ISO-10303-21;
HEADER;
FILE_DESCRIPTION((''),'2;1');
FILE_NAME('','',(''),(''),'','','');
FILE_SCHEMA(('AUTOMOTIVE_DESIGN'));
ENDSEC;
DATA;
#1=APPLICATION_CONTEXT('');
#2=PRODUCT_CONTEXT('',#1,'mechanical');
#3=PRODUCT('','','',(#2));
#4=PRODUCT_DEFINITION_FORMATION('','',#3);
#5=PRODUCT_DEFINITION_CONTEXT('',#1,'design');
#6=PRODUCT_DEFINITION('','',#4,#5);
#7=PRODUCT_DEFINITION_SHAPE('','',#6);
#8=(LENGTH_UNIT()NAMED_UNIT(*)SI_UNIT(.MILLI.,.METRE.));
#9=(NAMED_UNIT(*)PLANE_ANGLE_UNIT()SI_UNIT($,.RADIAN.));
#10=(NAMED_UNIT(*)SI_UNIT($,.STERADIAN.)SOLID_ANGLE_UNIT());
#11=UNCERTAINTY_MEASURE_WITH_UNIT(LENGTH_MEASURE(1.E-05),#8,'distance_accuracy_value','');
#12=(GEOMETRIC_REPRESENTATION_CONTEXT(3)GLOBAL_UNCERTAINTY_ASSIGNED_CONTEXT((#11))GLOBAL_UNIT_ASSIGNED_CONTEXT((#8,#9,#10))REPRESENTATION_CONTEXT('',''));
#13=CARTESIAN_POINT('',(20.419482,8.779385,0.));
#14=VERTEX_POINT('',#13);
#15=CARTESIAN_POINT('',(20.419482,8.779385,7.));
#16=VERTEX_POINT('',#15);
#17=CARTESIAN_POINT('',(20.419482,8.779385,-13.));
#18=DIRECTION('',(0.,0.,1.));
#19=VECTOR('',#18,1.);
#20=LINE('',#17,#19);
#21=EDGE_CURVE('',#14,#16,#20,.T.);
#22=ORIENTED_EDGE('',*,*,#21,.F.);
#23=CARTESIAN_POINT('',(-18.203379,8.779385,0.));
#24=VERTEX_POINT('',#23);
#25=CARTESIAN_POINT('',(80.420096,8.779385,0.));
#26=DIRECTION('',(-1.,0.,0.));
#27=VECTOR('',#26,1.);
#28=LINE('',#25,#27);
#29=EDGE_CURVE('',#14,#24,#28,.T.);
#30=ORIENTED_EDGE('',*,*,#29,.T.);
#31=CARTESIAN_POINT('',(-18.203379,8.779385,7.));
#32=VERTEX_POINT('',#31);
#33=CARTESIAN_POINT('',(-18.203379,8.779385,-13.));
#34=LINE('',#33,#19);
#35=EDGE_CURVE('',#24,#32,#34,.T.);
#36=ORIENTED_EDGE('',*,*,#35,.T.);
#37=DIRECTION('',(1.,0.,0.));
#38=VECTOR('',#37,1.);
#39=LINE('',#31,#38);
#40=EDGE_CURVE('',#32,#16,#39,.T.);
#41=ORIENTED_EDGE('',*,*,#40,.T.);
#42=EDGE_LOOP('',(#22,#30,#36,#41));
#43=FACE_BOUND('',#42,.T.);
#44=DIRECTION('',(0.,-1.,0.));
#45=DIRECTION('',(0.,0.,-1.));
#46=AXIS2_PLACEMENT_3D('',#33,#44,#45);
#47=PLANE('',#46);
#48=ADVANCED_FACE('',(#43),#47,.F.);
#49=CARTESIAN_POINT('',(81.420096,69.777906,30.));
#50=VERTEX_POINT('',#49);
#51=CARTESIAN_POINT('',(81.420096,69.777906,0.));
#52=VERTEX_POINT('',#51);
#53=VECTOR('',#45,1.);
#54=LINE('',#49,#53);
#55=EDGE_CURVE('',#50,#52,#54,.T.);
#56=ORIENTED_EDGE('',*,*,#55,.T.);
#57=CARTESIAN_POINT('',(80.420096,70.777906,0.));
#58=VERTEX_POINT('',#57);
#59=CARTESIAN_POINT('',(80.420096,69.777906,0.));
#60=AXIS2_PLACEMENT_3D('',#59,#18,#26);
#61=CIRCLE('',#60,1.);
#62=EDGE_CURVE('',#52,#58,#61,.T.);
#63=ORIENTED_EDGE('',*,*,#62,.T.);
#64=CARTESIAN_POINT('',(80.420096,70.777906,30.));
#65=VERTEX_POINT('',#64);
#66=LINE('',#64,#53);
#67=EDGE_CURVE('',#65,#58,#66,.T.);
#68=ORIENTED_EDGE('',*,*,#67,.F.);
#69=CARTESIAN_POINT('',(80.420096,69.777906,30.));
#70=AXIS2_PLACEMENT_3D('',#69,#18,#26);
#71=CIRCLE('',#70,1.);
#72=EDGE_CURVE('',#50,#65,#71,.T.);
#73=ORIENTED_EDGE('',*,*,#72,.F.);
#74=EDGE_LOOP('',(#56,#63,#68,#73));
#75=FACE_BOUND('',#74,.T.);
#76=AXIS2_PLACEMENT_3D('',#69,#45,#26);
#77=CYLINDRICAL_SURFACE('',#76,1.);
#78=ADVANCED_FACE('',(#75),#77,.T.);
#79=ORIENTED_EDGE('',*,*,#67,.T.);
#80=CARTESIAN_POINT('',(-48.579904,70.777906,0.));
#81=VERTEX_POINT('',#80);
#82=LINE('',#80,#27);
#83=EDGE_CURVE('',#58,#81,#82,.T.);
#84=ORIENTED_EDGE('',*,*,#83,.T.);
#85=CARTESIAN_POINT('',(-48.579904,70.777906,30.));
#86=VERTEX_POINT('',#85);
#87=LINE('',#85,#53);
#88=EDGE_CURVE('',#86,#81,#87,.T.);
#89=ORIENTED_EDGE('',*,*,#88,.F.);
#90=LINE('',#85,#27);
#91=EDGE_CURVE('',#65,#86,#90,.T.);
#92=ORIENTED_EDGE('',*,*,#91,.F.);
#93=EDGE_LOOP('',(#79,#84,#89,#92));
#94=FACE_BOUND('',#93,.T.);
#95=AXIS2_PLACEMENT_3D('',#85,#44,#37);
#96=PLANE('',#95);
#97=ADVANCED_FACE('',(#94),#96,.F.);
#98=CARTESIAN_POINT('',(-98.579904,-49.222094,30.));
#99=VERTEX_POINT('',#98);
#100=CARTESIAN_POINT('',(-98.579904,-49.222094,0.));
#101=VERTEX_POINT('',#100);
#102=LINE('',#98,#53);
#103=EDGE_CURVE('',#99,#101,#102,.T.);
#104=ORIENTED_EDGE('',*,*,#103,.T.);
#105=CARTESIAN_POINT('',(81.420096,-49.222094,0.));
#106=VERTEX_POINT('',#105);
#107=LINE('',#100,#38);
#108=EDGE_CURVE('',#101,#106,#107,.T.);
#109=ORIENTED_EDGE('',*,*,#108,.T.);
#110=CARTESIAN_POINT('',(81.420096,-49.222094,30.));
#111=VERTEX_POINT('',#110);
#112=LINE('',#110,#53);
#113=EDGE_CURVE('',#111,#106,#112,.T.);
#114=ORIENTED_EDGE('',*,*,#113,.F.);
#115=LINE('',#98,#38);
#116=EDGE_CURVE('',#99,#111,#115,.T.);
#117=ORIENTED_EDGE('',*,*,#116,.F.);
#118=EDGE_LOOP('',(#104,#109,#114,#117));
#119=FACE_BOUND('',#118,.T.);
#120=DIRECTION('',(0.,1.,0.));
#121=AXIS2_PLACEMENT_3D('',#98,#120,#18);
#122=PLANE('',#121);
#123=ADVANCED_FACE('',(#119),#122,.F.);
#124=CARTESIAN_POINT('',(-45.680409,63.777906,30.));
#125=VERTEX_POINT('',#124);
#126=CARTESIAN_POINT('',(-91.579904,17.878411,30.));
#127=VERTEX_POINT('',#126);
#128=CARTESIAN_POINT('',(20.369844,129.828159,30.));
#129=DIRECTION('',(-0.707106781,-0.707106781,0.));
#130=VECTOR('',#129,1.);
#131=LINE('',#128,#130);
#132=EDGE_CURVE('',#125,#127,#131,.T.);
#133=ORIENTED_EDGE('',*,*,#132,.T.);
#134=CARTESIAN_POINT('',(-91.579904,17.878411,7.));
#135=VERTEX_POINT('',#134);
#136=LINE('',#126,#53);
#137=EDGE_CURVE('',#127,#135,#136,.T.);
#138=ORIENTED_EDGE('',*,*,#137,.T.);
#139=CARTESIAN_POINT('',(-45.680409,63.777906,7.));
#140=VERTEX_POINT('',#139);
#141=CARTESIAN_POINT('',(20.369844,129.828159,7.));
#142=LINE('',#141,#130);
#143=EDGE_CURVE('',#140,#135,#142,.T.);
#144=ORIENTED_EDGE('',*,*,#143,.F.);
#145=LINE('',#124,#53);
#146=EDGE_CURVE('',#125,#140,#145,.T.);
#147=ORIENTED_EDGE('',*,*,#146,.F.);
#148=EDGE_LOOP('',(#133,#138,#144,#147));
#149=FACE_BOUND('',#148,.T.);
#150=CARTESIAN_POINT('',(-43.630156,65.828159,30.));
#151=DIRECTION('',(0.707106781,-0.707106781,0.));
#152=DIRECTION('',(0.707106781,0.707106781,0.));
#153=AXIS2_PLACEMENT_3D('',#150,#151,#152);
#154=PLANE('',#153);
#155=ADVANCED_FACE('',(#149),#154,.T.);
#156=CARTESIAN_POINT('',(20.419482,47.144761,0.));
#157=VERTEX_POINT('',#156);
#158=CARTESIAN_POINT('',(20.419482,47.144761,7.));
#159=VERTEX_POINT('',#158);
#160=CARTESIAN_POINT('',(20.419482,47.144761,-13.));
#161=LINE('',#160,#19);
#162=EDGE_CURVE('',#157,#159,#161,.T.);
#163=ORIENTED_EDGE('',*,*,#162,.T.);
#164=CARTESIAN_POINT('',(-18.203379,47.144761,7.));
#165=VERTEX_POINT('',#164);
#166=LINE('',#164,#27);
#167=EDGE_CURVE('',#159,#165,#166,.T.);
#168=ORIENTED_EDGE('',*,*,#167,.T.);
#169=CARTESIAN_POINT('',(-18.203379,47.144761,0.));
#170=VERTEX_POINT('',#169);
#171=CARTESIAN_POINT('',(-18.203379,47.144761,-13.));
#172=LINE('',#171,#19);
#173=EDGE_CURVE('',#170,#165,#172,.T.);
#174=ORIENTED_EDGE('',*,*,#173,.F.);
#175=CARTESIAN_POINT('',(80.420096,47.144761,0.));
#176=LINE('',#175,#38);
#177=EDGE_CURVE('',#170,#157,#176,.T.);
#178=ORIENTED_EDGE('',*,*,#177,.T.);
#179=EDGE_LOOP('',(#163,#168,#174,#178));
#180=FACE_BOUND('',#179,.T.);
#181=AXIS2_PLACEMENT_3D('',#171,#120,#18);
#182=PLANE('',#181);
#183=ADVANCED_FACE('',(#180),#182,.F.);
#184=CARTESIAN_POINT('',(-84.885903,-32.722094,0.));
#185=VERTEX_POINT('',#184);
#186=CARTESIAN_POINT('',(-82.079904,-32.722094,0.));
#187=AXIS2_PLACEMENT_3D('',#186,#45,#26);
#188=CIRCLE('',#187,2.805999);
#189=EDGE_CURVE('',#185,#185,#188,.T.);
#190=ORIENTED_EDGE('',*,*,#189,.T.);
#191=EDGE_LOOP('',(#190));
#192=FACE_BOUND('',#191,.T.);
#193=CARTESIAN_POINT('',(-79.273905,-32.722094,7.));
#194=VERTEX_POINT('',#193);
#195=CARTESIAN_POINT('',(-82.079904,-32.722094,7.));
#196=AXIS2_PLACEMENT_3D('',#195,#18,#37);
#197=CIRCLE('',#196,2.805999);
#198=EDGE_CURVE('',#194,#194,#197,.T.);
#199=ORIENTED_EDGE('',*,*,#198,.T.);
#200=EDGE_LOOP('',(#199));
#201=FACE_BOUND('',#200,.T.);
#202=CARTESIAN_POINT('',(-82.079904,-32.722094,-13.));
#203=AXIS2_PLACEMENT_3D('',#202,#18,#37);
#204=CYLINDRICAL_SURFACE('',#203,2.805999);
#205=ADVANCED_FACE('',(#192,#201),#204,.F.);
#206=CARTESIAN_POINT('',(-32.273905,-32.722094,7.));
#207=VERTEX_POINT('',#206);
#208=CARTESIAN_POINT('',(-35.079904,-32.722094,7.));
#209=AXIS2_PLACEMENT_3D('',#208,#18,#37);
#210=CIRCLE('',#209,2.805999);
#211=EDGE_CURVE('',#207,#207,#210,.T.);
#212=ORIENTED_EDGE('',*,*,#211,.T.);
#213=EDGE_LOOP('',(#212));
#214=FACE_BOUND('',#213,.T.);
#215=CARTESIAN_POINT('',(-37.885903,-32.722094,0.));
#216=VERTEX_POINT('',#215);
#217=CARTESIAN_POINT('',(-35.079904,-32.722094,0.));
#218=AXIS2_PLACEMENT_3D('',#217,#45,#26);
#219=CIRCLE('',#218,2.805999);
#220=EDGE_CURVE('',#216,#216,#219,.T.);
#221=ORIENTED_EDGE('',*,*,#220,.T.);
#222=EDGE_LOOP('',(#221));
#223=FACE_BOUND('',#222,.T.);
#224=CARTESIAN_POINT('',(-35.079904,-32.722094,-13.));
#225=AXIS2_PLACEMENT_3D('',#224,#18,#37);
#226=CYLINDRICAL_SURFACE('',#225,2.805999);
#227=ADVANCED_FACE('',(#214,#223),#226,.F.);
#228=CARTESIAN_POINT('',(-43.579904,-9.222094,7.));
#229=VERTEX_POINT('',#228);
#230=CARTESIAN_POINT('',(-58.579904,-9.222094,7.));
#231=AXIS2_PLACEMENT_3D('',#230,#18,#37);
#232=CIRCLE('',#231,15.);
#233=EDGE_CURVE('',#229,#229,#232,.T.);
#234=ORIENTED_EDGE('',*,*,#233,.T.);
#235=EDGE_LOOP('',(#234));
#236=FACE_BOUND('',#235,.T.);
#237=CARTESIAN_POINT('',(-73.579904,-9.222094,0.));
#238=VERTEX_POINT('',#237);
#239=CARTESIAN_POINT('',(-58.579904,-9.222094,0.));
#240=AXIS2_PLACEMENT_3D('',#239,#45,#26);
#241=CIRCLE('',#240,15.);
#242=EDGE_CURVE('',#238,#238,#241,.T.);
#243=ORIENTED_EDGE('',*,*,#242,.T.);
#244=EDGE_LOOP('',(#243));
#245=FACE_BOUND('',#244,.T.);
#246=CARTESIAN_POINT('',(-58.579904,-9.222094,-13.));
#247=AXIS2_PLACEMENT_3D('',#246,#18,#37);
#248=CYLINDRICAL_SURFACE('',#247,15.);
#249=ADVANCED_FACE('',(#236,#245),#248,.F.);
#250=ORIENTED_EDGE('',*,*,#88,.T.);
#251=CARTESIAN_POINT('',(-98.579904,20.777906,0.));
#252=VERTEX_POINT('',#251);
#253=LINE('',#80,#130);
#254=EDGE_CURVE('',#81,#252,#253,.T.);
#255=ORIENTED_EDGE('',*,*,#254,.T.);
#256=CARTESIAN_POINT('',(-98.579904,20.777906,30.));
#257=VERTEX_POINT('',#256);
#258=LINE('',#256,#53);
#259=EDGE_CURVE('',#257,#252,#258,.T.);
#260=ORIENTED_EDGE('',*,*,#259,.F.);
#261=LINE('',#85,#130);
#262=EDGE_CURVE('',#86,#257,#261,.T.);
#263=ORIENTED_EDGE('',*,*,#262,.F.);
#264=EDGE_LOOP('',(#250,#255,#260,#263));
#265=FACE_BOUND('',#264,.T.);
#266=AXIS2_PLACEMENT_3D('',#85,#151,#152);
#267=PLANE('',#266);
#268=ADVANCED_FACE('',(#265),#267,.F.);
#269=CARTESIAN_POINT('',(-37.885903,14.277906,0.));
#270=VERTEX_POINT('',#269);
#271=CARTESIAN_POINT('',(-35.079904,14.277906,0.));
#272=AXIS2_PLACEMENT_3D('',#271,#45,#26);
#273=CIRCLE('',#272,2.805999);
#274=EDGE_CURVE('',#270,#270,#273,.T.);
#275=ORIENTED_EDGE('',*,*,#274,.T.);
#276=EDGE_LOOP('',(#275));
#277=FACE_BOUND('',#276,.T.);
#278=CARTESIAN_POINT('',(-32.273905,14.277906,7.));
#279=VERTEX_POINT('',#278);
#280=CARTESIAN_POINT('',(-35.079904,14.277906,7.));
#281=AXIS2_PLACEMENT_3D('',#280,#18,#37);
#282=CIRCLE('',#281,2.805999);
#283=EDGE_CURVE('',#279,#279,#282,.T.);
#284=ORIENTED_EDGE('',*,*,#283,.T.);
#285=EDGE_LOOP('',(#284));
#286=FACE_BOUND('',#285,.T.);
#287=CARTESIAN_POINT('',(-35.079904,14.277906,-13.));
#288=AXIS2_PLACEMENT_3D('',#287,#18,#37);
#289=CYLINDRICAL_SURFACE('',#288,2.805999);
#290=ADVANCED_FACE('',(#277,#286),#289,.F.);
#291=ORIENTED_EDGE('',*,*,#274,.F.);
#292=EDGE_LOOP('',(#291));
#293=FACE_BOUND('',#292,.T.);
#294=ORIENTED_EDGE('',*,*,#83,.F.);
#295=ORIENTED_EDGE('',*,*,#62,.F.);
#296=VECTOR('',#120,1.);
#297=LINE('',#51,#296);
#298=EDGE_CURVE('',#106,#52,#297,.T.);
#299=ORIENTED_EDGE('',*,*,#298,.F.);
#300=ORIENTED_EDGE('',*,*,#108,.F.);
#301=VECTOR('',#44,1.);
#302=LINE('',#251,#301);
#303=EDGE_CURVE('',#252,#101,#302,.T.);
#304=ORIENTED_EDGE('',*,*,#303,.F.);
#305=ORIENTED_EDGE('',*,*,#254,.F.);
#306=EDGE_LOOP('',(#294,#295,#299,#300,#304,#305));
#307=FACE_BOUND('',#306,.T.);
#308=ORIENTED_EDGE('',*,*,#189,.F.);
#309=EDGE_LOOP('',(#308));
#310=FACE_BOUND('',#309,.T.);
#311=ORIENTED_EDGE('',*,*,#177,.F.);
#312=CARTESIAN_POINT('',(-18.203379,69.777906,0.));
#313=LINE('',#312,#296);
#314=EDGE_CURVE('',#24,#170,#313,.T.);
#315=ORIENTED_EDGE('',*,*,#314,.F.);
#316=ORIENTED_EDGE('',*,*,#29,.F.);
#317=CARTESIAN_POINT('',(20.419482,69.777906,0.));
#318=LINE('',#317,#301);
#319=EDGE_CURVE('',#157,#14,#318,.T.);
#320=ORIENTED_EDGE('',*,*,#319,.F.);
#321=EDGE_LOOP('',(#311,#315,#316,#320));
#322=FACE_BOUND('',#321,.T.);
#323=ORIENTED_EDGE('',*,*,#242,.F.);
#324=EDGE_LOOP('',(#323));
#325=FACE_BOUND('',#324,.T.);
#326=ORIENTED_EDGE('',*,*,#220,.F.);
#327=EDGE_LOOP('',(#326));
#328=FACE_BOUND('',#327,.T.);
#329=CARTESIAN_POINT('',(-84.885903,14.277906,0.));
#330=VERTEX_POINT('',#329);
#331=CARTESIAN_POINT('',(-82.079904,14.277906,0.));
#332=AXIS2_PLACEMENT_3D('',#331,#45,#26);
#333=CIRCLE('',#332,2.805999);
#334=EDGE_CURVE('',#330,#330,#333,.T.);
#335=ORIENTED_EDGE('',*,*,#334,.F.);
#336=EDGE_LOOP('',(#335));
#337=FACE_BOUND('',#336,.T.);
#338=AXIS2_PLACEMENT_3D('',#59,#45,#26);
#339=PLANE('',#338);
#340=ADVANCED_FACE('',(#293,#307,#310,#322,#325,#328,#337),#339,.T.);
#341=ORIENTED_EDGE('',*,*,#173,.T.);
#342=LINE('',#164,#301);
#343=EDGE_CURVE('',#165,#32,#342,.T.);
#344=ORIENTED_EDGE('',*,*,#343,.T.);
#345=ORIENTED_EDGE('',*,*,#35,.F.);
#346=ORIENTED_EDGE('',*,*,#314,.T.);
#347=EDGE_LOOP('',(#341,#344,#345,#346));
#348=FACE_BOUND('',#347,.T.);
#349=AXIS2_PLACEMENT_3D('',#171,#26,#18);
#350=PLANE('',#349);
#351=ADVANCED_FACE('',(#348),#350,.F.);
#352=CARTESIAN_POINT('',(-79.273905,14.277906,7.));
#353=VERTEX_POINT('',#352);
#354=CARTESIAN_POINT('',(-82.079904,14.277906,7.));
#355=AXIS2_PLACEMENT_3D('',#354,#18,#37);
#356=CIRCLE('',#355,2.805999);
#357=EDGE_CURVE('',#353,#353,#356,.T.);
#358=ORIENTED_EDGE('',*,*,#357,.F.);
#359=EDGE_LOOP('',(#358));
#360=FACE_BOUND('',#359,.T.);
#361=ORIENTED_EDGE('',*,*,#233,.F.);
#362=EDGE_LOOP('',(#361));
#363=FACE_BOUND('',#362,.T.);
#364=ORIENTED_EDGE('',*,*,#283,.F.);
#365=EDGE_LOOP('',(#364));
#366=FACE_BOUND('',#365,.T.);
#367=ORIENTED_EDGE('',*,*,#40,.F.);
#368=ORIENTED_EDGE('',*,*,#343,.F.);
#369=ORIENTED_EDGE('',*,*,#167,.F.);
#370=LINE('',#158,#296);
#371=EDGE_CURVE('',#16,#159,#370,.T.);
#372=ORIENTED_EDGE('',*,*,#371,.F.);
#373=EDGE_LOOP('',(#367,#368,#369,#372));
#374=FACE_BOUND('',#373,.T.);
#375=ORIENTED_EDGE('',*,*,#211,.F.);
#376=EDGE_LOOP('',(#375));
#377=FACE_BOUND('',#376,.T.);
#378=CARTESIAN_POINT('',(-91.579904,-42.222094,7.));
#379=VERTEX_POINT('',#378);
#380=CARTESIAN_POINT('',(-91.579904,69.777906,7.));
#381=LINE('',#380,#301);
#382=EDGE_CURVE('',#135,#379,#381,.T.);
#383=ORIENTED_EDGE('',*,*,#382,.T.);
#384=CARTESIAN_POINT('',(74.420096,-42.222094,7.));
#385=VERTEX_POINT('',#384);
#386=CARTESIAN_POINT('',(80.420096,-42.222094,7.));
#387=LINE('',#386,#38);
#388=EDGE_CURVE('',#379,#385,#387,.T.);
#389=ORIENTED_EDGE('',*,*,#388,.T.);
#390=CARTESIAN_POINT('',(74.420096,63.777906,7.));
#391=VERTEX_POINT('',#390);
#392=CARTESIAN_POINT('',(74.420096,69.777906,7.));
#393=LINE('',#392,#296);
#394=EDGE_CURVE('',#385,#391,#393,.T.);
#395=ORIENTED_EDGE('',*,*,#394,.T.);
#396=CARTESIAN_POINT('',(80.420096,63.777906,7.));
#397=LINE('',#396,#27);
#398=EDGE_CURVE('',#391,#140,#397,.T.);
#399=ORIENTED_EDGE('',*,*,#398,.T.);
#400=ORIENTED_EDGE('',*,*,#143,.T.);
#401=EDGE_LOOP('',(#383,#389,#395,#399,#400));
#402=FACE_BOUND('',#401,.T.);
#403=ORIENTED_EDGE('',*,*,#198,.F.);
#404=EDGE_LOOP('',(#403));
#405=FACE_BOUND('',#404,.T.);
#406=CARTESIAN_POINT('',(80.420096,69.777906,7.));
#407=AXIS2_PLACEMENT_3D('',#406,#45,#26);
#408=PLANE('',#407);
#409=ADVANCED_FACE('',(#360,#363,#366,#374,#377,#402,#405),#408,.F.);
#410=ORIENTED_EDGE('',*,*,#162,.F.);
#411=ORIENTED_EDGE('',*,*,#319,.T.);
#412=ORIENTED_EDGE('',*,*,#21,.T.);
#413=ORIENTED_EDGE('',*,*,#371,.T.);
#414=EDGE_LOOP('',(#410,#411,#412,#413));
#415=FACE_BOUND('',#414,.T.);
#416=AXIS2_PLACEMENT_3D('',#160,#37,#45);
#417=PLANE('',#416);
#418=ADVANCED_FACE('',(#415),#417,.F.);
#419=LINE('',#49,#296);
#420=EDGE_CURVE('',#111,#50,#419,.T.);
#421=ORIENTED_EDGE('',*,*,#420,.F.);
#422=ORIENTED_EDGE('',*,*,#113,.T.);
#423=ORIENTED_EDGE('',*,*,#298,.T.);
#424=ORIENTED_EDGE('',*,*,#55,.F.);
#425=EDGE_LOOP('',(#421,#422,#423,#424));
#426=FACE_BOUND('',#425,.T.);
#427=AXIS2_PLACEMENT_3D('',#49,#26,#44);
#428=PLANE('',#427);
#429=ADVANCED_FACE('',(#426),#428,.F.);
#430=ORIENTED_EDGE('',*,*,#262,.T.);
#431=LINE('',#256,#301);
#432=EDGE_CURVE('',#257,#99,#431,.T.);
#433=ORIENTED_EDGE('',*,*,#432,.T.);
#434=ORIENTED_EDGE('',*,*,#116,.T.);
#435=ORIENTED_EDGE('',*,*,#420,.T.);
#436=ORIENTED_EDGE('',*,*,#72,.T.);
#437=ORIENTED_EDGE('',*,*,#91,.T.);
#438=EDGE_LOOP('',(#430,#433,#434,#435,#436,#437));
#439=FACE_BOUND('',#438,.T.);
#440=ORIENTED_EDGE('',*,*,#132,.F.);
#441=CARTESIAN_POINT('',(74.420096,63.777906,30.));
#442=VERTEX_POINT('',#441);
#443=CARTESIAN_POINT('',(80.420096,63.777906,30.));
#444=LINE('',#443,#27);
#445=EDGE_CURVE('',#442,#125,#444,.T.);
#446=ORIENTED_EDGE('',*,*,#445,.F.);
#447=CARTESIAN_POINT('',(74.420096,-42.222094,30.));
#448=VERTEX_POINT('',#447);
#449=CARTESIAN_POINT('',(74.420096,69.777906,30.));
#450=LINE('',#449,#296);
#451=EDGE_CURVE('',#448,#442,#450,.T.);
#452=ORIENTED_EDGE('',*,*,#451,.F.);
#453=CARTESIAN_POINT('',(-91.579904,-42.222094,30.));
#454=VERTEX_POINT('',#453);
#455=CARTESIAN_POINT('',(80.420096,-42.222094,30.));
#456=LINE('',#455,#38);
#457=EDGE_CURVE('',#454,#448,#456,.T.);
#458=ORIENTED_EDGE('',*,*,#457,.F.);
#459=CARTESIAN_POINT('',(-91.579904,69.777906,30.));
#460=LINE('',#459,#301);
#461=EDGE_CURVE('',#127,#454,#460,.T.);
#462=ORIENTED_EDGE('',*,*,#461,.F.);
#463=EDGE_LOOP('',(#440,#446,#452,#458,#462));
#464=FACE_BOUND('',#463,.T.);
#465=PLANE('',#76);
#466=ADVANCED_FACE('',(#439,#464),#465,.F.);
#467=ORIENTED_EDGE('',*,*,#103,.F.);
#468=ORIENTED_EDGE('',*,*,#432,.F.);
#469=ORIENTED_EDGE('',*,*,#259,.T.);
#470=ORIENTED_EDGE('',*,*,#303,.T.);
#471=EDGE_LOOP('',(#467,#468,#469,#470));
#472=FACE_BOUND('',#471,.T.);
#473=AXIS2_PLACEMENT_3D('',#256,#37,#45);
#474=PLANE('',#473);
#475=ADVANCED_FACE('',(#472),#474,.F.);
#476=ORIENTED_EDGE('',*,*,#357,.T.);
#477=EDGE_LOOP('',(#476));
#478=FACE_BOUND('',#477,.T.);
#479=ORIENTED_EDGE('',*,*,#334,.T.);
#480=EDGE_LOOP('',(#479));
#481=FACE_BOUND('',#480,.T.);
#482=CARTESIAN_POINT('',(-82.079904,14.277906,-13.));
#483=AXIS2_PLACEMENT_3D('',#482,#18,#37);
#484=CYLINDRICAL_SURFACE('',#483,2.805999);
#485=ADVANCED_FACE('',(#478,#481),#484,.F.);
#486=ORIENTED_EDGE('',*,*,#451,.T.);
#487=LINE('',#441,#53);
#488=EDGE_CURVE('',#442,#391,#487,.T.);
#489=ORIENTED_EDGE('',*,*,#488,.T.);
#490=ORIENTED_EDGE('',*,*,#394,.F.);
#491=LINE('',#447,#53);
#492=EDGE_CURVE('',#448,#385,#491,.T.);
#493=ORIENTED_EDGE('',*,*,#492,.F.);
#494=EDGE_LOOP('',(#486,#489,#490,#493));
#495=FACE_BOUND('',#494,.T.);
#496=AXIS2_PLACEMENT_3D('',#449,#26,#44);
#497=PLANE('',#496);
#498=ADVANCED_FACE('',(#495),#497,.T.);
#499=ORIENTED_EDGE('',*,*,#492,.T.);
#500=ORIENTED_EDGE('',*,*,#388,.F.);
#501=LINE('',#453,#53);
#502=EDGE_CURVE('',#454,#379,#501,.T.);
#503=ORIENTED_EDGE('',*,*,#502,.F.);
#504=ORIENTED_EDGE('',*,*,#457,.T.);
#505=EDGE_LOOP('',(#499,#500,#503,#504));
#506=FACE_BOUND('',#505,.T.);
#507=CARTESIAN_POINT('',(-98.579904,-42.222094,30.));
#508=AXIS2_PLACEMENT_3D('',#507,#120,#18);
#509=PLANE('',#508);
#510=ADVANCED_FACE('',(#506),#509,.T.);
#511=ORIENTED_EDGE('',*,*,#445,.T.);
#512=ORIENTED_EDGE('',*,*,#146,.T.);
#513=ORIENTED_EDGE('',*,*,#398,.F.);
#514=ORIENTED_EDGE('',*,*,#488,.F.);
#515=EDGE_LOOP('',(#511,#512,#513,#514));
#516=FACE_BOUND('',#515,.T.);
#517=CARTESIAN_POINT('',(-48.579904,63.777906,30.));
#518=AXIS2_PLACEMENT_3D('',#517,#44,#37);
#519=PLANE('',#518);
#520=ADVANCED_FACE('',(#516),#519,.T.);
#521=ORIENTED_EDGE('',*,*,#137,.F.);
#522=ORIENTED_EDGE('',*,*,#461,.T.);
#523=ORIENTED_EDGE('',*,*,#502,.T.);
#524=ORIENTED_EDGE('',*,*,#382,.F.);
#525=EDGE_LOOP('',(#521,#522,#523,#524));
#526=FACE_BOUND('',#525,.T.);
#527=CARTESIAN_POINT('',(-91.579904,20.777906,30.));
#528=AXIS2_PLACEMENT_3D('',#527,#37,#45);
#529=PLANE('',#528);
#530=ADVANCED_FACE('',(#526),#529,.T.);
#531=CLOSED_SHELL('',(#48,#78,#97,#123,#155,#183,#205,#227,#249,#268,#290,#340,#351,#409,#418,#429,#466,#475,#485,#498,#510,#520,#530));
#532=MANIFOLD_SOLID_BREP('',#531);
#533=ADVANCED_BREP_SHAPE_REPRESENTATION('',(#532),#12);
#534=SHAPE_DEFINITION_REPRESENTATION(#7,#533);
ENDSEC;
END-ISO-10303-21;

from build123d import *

# Parameters (mm, degrees)
BOSS_EXTRUDE1_DEPTH  = 30
SHELL1_T             = -7
SKETCH2_R            = 15
CUT_EXTRUDE1_DEPTH   = 20
SKETCH3_R            = 2.805999004
CUT_EXTRUDE2_DEPTH   = 20
LPATTERN1_COUNT      = 2
LPATTERN1_PITCH      = 47
LPATTERN1_COUNT_DIR2 = 2
LPATTERN1_PITCH_DIR2 = 47
SKETCH4_W            = 38.622861656
SKETCH4_H            = 38.365375911
CUT_EXTRUDE3_DEPTH   = 20


with BuildPart() as part:
    # Sketch1 → Boss-Extrude1 (new body)
    with BuildSketch(Plane.XY):
        with BuildLine():
            Line((-48.579903717, 70.777906396), (-98.579903717, 20.777906396))
            Line((-98.579903717, 20.777906396), (-98.579903717, -49.222093604))
            Line((-98.579903717, -49.222093604), (81.420096283, -49.222093604))
            Line((81.420096283, -49.222093604), (81.420096283, 69.777906396))
            ThreePointArc((81.420096283, 69.777906396), (81.127203064, 70.485013177), (80.420096283, 70.777906396))
            Line((80.420096283, 70.777906396), (-48.579903717, 70.777906396))
        make_face()
    extrude(amount=BOSS_EXTRUDE1_DEPTH)

    # Shell1
    shell1_openings = [part.faces().sort_by_distance(p)[0] for p in [
        (-4.076298463, 8.11549528, 30),
    ]]
    offset(amount=SHELL1_T, openings=shell1_openings, kind=Kind.INTERSECTION)

    # Sketch2 → Cut-Extrude1 (cut)
    with BuildSketch(Plane.XY.offset(7)):
        with Locations((-58.579903717, -9.222093604)):
            Circle(SKETCH2_R)
    extrude(amount=-CUT_EXTRUDE1_DEPTH, mode=Mode.SUBTRACT)

    # Sketch3 → Cut-Extrude2 (cut)
    with BuildSketch(Plane.XY.offset(7)):
        with Locations((-82.079903717, 14.277906396)):
            Circle(SKETCH3_R)
    cut_extrude2 = extrude(amount=-CUT_EXTRUDE2_DEPTH, mode=Mode.SUBTRACT)

    # LPattern1: Cut-Extrude2 2 × 2
    with Locations(*[(i * LPATTERN1_PITCH, -j * LPATTERN1_PITCH_DIR2, 0) for i in range(LPATTERN1_COUNT) for j in range(LPATTERN1_COUNT_DIR2) if (i, j) != (0, 0)]):
        add(cut_extrude2, mode=Mode.SUBTRACT)

    # Sketch4 → Cut-Extrude3 (cut)
    with BuildSketch(Plane.XY.offset(7)):
        with Locations((1.108051651, 27.962073286)):
            Rectangle(SKETCH4_W, SKETCH4_H)
    extrude(amount=-CUT_EXTRUDE3_DEPTH, mode=Mode.SUBTRACT)


solid = part.part
